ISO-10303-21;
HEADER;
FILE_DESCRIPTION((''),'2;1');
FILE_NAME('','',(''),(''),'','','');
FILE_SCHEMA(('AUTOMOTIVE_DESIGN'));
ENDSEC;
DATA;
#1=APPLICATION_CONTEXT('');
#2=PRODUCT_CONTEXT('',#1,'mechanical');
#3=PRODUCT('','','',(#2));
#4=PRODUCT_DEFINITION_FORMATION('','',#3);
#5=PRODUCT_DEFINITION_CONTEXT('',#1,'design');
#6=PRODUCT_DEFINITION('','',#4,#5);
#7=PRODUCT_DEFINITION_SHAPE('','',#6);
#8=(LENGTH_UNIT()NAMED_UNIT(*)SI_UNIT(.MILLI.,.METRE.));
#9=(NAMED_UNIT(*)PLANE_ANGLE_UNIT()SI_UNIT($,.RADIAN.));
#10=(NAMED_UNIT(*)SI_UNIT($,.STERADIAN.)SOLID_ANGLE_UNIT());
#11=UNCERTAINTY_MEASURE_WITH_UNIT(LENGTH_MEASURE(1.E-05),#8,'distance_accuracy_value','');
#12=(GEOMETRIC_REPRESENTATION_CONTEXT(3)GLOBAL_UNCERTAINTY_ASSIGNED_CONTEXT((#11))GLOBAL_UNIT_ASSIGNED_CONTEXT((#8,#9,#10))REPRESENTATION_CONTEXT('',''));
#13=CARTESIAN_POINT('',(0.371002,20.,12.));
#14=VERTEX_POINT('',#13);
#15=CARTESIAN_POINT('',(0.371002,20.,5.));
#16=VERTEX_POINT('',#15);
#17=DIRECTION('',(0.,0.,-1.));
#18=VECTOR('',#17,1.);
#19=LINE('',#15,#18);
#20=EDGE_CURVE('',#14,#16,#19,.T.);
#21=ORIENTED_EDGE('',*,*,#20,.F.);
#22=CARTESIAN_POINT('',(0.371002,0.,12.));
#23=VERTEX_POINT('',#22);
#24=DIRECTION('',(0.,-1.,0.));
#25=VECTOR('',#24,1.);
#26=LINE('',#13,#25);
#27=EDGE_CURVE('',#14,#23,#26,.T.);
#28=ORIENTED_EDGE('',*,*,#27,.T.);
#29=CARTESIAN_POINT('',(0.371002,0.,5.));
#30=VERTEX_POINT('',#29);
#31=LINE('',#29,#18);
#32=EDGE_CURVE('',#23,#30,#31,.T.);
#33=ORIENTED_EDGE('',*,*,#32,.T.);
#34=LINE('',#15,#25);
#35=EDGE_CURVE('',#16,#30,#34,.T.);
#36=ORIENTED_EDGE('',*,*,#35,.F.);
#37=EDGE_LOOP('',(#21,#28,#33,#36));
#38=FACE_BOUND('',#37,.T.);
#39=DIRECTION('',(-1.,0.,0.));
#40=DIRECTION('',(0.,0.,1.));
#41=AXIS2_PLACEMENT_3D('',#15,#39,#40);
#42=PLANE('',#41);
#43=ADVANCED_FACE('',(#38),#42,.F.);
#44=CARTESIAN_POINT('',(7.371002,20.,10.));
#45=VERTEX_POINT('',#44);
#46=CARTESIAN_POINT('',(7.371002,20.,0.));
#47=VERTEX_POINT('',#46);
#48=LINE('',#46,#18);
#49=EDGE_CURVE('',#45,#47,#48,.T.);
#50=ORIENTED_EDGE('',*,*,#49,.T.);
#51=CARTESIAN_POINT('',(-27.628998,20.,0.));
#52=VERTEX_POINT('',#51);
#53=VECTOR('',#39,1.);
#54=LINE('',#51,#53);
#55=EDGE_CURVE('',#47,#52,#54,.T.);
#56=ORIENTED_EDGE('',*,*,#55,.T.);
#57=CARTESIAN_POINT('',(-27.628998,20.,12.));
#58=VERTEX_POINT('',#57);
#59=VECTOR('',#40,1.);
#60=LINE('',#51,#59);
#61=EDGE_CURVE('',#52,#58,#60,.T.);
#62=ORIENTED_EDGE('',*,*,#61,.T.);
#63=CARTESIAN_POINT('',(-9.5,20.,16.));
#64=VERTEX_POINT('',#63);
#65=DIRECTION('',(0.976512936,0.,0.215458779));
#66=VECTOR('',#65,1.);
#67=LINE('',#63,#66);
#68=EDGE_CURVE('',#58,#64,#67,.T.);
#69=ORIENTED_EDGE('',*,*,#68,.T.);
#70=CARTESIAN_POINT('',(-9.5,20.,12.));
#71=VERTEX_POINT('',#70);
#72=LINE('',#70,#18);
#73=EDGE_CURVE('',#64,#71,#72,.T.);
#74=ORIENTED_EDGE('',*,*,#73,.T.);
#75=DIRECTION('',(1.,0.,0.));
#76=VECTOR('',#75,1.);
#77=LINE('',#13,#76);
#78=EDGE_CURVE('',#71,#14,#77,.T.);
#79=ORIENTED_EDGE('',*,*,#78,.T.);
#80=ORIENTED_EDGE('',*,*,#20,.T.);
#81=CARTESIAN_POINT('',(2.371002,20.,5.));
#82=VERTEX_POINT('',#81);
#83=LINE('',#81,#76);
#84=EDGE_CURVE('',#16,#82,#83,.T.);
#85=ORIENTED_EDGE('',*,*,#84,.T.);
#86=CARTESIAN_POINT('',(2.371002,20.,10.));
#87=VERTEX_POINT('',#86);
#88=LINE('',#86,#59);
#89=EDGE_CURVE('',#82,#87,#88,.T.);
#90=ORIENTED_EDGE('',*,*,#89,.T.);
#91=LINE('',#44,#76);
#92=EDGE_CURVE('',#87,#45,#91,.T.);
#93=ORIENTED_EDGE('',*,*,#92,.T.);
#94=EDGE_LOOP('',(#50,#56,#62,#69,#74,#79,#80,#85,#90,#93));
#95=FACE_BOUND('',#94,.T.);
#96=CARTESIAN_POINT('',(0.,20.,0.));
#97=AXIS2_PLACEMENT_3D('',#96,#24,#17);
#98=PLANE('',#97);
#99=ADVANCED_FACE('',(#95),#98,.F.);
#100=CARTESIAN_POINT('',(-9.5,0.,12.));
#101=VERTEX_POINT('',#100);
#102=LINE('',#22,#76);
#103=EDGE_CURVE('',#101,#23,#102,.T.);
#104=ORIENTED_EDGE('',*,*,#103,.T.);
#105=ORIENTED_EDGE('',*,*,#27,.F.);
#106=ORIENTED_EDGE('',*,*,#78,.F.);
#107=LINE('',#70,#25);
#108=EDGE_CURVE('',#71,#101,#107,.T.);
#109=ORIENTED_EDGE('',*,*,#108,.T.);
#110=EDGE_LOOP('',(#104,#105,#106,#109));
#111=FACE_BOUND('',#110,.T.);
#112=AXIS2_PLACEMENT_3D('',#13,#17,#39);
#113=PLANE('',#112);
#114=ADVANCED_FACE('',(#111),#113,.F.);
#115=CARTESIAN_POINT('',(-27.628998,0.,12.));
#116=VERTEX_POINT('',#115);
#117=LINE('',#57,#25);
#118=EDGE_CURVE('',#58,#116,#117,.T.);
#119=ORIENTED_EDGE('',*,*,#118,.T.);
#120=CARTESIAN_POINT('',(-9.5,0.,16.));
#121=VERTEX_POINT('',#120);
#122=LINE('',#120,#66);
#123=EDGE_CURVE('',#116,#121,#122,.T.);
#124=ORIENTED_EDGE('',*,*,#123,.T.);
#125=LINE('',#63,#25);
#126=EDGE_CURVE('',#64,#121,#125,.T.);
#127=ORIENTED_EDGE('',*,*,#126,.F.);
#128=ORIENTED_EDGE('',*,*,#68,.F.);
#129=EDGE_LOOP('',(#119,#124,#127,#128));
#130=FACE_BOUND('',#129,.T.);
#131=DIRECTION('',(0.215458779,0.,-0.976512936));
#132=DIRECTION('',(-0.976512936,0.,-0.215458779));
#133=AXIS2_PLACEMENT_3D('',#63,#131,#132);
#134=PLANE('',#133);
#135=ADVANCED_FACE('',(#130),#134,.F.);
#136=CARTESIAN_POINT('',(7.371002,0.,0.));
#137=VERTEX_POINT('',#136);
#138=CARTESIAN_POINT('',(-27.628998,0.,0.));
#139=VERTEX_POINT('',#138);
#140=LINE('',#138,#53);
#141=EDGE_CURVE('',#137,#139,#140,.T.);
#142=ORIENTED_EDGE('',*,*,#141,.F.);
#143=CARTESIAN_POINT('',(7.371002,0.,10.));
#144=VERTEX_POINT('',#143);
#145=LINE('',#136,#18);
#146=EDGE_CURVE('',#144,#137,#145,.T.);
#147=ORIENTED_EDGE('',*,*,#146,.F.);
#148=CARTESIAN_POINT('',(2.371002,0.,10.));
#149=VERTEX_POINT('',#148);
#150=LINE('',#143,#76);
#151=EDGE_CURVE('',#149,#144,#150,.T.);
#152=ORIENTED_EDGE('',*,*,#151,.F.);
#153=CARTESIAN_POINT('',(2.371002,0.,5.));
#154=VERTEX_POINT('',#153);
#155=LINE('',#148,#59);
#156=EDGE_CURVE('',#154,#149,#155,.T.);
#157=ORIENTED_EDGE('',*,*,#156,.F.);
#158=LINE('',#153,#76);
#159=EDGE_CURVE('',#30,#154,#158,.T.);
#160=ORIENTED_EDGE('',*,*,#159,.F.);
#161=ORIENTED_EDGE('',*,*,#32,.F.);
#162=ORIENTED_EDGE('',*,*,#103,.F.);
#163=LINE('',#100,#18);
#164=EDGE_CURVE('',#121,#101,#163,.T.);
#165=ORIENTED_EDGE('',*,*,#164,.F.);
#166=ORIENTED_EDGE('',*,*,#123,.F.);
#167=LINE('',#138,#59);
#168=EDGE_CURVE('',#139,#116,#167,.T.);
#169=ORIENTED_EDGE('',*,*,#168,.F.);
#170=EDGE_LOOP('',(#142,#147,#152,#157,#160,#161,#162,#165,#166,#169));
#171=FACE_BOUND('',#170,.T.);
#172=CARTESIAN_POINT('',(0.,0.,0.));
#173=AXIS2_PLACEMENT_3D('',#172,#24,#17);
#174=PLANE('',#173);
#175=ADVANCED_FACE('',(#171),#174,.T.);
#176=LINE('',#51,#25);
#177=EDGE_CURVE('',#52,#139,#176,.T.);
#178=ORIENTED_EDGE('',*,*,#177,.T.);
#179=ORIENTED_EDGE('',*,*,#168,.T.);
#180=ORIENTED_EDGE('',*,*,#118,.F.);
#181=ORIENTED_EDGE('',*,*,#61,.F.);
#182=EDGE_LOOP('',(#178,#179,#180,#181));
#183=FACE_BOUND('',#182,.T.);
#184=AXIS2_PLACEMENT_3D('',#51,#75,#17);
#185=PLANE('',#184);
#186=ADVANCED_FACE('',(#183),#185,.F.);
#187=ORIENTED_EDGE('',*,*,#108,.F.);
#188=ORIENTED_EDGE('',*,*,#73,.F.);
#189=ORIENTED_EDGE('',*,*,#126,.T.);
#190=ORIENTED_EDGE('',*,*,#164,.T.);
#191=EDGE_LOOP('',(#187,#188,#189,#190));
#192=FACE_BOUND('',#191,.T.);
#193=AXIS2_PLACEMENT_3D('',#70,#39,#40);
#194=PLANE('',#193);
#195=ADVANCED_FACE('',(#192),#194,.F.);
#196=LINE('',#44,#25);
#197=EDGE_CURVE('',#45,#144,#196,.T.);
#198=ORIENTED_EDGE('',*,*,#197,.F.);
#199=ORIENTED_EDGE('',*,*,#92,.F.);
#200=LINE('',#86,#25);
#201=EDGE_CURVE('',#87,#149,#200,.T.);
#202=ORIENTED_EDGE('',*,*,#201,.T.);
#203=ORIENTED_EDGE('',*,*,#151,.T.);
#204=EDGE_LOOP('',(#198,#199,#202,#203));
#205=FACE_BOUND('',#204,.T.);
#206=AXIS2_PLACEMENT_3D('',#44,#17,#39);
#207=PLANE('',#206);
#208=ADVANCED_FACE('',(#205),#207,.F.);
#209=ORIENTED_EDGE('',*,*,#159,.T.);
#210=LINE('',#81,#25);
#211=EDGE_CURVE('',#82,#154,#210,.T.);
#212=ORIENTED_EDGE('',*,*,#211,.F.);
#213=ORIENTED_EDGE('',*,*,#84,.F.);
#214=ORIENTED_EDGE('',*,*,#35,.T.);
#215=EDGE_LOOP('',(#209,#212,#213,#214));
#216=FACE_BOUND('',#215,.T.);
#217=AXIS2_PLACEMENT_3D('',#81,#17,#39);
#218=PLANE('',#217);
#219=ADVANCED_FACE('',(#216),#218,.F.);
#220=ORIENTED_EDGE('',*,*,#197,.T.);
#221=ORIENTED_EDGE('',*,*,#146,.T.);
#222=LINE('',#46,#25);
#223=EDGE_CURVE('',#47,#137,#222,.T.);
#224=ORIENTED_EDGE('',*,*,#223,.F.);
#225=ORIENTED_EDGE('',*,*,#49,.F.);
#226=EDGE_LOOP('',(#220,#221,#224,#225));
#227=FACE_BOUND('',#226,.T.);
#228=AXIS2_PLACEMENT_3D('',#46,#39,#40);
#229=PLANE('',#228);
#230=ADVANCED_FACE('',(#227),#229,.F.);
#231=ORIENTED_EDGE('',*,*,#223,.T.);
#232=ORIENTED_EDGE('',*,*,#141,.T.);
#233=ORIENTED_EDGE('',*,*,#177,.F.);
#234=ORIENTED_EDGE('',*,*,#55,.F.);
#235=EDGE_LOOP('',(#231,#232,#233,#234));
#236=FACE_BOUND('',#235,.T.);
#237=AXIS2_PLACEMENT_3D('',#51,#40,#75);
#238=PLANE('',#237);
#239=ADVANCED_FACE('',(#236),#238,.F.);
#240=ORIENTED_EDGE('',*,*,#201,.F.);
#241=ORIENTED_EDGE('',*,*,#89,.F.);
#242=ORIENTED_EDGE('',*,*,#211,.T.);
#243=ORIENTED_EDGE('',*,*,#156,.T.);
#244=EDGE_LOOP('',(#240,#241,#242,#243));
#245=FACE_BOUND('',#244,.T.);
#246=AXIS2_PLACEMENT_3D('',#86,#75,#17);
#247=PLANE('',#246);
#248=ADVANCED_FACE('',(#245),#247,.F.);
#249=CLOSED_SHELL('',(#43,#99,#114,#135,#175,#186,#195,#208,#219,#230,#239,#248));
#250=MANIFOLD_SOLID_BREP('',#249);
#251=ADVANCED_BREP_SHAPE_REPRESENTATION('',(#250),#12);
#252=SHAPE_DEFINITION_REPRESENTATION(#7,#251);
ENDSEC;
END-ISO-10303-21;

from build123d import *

# Parameters (mm, degrees)
BOSS_EXTRUDE1_DEPTH = 20


with BuildPart() as part:
    # Sketch1 → Boss-Extrude1 (new body)
    with BuildSketch(Plane(origin=(0, 0, 0), x_dir=(1, 0, 0), z_dir=(0, 1, 0))):
        Polygon((-27.628997906, 0), (7.371002094, 0), (7.371002094, -10), (2.371002094, -10), (2.371002094, -5), (0.371002094, -5), (0.371002094, -12), (-9.5, -12), (-9.5, -16), (-27.628997906, -12), align=None)
    extrude(amount=BOSS_EXTRUDE1_DEPTH)


solid = part.part
